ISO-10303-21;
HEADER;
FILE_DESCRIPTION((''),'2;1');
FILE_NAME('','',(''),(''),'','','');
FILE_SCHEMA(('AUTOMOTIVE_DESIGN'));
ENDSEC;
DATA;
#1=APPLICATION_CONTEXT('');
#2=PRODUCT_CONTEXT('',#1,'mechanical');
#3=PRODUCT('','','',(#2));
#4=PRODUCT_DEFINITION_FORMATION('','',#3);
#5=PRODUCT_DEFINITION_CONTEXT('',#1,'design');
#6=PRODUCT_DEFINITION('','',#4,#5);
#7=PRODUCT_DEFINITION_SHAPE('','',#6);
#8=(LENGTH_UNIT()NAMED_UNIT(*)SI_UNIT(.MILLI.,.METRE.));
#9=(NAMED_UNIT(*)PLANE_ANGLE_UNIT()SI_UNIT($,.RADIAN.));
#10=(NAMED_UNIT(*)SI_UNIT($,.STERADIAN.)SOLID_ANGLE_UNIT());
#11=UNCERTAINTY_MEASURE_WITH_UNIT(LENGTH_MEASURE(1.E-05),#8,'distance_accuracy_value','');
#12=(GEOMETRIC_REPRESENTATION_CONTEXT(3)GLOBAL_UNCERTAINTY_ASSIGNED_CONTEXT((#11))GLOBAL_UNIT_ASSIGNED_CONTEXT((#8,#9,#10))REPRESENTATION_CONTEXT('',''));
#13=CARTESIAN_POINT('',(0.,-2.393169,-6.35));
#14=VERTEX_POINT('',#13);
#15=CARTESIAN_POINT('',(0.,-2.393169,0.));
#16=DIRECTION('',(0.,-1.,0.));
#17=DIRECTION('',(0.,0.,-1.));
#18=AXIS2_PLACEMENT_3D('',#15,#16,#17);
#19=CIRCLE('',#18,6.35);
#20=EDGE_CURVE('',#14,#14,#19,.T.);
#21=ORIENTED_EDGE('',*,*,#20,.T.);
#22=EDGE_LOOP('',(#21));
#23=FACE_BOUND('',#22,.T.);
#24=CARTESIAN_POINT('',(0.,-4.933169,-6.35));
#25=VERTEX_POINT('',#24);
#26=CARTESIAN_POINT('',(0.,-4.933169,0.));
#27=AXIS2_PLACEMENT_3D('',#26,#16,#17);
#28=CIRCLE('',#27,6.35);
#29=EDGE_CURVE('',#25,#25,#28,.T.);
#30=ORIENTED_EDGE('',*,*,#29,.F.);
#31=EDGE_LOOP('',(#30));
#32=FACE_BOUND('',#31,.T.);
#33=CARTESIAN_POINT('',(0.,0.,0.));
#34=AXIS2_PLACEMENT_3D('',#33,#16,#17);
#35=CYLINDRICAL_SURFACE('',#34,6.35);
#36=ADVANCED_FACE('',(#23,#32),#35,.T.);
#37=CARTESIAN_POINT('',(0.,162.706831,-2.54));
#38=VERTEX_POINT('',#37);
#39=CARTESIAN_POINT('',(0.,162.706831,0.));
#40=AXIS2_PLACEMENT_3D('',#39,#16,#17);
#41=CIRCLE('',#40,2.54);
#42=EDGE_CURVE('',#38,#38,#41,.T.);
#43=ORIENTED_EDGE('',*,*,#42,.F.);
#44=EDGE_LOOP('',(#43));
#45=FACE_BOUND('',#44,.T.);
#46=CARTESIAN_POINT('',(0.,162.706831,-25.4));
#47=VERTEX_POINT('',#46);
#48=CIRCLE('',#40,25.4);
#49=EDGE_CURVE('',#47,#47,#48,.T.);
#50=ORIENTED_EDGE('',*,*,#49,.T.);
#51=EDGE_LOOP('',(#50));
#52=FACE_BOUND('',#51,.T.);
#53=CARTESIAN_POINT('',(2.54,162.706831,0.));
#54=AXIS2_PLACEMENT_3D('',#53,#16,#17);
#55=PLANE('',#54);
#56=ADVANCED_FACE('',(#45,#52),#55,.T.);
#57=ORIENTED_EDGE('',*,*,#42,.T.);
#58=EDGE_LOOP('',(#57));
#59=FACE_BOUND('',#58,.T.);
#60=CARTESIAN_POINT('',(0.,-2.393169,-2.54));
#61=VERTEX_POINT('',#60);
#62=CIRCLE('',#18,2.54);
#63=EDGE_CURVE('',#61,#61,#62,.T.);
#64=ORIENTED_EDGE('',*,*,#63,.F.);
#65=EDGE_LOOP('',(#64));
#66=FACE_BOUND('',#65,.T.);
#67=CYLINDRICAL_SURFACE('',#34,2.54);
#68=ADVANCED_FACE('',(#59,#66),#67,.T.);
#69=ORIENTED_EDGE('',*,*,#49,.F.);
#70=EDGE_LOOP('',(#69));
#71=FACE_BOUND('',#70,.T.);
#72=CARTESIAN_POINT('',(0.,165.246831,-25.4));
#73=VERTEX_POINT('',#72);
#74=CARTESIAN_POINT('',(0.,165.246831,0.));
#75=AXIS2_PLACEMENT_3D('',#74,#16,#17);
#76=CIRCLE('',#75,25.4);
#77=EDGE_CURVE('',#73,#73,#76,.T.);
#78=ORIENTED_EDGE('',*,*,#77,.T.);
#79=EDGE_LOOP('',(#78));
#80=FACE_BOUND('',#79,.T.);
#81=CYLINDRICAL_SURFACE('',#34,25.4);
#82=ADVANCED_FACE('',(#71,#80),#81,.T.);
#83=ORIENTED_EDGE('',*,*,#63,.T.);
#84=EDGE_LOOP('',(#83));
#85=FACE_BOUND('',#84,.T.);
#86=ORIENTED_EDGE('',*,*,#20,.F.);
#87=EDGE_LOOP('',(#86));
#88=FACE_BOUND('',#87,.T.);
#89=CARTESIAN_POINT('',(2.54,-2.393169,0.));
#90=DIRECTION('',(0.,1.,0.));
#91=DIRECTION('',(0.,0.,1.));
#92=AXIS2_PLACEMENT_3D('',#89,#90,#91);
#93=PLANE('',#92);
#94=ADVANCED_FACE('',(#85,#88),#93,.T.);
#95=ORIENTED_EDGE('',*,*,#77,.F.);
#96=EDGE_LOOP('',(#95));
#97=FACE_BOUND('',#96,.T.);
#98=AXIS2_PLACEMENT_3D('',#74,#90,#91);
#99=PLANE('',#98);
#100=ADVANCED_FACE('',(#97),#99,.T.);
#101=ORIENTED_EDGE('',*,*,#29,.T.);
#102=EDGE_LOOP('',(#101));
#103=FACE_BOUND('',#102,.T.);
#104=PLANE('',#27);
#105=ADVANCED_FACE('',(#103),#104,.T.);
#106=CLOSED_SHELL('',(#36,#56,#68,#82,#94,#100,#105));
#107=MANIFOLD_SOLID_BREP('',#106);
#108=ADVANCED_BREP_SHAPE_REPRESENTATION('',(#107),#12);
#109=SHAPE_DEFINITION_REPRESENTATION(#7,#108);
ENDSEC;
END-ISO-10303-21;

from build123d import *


with BuildPart() as part:
    # Sketch1 → Revolve1 (revolve)
    with BuildSketch(Plane.XY, mode=Mode.PRIVATE) as revolve1_sk:
        Polygon((0, 0), (0, 165.246830829), (25.4, 165.246830829), (25.4, 162.706830829), (2.54, 162.706830829), (2.54, -2.393169171), (6.35, -2.393169171), (6.35, -4.933169171), (0, -4.933169171), align=None)
    revolve(revolve1_sk.sketch.rotate(Axis((0, 0, 0), (0, 1, 0)), 90), axis=Axis((0, 0, 0), (0, 1, 0)))


solid = part.part
